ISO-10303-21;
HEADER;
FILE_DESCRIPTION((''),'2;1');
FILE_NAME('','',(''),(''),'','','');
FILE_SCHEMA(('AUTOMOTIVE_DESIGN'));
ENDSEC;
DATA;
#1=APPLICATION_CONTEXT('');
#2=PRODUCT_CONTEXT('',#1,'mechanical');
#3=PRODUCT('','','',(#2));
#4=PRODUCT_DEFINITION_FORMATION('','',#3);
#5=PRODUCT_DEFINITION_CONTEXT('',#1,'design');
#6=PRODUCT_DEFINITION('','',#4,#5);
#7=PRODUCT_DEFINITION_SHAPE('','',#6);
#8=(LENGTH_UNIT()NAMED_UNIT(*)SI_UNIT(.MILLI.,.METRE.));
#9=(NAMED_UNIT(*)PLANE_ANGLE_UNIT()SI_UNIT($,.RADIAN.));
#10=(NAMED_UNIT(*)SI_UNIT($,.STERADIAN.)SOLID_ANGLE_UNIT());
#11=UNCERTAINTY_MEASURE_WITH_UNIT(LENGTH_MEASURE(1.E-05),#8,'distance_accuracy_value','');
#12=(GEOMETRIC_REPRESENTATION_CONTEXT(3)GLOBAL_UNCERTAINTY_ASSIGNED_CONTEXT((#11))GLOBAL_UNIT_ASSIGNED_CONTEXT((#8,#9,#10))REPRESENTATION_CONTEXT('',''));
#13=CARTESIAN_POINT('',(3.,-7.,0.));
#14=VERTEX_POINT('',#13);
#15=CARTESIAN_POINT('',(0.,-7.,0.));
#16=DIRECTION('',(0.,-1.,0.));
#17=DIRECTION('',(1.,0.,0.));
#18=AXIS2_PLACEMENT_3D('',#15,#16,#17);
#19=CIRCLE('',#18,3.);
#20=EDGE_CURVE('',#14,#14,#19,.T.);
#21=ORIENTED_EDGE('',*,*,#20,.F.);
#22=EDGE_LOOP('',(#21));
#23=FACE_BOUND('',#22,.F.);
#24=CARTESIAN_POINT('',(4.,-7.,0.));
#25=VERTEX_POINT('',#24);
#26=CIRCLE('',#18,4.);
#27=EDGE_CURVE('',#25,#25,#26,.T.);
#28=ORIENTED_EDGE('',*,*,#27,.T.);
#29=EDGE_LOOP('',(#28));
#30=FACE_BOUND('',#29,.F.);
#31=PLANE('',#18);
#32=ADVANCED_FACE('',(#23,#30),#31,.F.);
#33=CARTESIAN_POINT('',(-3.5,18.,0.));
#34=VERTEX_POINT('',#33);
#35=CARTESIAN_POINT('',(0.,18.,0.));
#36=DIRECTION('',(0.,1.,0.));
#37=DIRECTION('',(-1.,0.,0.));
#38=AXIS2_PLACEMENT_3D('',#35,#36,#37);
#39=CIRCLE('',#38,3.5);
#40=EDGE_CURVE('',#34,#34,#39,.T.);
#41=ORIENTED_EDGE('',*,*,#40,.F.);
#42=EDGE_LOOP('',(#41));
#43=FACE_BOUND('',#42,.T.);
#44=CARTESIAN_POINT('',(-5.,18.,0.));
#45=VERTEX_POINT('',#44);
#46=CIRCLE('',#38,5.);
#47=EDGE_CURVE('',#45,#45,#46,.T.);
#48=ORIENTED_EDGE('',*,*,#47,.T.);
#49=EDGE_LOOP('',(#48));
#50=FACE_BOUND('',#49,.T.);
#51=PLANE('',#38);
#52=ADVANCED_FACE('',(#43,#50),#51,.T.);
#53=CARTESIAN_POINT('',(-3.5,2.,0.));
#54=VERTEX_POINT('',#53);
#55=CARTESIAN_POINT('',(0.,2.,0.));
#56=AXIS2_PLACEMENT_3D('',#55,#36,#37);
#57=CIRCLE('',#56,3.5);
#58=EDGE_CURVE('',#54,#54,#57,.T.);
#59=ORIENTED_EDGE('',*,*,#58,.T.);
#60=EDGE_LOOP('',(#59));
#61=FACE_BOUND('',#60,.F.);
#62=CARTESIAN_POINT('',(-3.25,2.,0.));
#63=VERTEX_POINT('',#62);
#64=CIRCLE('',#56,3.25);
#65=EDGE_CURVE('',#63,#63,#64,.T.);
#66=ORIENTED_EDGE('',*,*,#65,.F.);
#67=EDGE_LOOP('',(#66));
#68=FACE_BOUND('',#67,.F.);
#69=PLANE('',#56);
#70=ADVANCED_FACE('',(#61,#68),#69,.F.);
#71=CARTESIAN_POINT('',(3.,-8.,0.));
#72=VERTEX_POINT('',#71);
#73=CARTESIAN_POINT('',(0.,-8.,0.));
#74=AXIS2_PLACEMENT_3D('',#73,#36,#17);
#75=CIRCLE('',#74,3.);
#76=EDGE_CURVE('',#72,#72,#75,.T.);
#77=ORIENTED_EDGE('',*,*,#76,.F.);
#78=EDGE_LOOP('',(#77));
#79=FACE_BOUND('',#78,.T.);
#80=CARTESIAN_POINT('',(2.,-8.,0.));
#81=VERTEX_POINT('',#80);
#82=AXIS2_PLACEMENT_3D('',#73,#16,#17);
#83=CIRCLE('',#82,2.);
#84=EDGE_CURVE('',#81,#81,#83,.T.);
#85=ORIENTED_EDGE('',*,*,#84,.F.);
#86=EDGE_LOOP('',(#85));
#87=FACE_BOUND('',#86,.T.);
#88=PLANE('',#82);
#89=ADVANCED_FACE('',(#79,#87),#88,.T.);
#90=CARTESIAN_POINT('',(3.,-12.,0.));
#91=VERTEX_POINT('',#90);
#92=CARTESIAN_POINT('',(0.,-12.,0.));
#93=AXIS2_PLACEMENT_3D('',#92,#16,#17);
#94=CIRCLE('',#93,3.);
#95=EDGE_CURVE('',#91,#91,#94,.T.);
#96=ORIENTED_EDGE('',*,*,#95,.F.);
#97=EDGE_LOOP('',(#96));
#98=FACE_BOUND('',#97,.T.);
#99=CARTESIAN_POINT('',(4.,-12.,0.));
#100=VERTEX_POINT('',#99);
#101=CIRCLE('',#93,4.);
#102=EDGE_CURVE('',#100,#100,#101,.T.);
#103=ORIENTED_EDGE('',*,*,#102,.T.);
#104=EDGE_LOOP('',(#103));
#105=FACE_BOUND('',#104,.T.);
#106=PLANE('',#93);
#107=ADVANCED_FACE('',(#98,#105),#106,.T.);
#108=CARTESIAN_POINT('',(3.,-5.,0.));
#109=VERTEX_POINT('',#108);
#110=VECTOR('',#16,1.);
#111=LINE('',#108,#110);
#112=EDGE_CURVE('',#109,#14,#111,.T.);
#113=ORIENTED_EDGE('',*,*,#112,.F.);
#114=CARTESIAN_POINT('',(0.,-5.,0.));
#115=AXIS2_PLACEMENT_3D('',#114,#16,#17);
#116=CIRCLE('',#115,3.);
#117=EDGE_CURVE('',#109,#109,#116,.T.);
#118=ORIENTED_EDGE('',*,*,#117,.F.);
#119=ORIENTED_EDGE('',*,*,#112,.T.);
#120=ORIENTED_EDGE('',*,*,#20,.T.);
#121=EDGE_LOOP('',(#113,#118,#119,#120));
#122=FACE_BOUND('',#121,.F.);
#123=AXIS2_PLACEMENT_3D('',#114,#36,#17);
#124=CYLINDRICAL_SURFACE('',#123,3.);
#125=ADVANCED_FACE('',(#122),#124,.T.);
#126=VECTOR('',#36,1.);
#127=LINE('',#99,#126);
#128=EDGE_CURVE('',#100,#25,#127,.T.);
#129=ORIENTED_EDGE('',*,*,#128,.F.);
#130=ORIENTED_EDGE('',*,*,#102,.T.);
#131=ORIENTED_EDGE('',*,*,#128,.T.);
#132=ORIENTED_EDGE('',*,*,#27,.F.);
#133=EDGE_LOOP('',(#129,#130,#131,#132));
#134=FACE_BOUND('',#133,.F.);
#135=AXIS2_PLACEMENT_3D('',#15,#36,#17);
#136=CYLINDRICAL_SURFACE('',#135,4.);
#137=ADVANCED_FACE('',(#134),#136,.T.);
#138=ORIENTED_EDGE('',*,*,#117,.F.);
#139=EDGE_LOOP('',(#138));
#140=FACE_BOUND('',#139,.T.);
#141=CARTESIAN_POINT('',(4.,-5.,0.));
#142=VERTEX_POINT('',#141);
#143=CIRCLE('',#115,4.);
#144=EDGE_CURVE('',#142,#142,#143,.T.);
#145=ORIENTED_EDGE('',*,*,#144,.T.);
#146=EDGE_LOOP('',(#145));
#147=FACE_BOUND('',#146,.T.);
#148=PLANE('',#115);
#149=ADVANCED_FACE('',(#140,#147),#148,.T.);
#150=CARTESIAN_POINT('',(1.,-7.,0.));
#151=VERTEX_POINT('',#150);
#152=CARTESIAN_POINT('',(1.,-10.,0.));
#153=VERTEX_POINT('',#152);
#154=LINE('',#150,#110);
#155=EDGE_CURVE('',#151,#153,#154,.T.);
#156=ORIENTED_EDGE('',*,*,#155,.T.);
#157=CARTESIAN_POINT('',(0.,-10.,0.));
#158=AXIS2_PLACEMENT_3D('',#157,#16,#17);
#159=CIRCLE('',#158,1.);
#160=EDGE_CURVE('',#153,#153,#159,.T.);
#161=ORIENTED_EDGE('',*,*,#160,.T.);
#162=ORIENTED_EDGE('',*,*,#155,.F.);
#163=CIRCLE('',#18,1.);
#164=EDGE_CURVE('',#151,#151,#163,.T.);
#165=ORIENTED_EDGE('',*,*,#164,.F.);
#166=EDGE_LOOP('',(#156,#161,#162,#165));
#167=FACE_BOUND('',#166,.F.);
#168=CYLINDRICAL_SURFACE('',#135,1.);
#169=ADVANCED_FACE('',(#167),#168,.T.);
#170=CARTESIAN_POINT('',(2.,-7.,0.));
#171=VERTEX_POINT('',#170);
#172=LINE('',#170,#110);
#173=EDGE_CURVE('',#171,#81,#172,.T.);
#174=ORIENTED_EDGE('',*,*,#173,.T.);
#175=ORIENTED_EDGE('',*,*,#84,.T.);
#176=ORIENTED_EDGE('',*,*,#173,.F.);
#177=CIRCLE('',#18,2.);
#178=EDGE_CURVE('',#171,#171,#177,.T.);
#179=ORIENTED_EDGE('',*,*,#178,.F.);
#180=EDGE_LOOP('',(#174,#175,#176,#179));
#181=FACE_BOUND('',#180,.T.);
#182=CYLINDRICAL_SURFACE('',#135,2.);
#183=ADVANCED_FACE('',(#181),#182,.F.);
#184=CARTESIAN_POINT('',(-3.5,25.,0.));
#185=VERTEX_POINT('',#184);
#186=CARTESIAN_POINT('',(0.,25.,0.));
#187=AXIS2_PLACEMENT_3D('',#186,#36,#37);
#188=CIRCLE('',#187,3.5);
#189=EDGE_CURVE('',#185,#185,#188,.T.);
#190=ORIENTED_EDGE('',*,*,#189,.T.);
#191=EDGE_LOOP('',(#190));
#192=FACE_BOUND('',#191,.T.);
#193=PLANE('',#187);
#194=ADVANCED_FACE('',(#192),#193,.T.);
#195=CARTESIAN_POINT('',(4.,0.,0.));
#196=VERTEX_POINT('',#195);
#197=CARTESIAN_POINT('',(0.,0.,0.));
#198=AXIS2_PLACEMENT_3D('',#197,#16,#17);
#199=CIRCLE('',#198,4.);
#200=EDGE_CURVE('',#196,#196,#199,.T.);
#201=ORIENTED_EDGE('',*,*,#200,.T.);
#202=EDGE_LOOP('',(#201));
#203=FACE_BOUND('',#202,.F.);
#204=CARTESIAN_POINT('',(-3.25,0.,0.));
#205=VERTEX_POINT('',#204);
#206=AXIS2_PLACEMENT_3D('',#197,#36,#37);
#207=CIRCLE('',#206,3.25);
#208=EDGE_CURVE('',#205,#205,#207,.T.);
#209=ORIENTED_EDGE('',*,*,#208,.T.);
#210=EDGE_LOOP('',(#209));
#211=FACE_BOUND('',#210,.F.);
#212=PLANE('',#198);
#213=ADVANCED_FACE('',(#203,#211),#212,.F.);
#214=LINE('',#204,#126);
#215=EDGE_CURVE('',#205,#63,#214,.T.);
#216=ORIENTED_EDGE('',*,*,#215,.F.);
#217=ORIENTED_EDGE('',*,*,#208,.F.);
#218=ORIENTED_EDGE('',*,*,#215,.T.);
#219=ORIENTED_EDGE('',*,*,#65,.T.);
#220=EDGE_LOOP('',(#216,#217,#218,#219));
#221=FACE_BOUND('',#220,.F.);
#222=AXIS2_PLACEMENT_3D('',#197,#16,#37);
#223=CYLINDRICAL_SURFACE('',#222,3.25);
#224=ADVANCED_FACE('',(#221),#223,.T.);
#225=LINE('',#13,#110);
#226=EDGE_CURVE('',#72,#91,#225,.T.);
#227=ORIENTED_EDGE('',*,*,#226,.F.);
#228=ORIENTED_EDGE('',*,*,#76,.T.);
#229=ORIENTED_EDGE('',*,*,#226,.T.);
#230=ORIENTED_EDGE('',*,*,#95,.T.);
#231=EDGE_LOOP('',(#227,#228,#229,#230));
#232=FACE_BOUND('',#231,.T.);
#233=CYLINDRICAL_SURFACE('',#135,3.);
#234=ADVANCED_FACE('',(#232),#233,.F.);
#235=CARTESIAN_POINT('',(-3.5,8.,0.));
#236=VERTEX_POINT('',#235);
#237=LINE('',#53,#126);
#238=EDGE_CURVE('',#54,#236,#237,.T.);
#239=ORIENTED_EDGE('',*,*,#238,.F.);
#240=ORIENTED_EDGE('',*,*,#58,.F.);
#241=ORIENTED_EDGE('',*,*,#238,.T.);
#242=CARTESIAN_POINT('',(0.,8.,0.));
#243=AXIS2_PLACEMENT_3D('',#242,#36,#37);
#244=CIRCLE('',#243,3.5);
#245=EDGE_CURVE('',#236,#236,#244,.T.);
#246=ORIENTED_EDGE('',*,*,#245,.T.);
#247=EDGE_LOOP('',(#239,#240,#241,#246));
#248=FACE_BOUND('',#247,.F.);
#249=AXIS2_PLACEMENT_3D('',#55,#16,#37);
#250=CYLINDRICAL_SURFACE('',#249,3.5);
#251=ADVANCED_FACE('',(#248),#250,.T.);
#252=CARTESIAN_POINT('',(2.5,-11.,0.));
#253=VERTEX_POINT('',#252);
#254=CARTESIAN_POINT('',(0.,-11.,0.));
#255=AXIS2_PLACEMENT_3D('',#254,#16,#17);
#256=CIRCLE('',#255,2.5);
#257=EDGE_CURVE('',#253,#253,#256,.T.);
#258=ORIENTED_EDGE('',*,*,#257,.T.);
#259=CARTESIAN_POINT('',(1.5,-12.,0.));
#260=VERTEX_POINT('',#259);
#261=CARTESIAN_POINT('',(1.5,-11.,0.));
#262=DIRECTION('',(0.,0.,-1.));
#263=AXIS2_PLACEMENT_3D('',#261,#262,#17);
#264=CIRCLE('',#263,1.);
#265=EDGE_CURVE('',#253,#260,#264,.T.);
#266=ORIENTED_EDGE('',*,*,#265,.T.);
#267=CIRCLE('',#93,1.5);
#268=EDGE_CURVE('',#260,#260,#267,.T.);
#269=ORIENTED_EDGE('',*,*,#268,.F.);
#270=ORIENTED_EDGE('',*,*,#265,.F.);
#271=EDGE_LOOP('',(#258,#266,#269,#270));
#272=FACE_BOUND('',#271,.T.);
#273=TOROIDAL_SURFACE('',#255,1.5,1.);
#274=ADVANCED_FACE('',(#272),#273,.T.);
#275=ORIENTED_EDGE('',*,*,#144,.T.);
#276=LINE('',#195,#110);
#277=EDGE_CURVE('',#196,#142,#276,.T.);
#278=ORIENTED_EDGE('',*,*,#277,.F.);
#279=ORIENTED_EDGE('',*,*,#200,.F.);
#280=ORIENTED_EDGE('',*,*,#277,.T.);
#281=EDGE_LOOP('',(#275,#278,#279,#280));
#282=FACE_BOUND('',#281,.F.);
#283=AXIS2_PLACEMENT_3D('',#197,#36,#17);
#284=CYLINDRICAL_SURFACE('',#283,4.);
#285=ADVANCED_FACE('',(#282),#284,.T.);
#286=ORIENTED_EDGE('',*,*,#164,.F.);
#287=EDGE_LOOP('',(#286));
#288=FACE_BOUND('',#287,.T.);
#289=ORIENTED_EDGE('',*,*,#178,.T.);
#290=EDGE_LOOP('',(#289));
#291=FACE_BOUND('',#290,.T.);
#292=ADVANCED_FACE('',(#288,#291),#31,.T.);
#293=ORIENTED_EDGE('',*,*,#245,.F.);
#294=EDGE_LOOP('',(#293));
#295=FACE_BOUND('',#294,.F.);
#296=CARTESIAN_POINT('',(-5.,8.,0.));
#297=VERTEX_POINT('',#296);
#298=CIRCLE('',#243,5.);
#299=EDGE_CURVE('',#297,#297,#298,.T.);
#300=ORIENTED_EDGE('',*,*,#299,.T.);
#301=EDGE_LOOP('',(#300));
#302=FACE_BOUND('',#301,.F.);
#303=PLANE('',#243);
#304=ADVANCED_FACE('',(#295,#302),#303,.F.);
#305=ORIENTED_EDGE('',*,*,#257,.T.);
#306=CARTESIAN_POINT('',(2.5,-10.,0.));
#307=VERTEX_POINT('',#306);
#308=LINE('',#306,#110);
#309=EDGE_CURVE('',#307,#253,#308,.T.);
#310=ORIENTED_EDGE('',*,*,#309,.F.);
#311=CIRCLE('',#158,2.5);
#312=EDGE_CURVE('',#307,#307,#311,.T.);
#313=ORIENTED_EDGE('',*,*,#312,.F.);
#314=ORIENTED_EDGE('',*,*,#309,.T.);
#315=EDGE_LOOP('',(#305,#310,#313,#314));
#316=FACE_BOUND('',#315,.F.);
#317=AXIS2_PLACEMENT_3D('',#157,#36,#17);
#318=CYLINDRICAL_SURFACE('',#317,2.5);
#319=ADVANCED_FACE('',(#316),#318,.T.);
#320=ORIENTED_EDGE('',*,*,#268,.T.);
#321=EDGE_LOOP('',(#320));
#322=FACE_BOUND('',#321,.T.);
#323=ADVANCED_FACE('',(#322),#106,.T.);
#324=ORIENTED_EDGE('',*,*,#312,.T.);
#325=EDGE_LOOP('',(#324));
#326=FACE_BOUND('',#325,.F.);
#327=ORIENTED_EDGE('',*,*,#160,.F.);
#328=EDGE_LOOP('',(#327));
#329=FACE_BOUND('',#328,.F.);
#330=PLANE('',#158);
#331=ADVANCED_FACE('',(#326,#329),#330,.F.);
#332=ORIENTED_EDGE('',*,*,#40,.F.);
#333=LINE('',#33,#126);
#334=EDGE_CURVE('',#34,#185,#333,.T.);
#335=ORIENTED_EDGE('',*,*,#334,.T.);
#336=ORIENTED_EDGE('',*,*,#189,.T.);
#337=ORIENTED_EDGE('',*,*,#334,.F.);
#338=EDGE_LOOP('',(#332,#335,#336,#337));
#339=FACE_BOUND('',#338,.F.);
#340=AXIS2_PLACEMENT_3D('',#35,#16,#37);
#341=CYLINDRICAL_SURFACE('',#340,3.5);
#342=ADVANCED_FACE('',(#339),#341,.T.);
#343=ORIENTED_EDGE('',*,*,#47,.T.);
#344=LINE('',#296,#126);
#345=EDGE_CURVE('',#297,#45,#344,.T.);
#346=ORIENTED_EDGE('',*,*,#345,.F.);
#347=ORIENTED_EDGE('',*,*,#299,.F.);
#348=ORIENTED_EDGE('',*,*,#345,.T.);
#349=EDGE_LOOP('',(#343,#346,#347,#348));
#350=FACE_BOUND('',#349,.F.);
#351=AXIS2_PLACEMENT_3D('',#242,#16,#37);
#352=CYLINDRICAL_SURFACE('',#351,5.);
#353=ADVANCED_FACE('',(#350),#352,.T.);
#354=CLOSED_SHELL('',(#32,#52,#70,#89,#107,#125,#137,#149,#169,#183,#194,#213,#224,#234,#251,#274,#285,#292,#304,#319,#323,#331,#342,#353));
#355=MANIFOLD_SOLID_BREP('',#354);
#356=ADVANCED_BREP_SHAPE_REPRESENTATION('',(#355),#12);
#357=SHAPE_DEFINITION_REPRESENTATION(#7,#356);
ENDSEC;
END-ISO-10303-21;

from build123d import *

# Parameters (mm, degrees)
F0_R      = 4
F1_DEPTH  = 5
F2_R      = 3
F3_DEPTH  = 2
F4_R      = 4
F4_R_2    = 3
F5_DEPTH  = 5
F6_R      = 1
F7_DEPTH  = 3
F8_R      = 2.5
F8_R_2    = 1
F9_DEPTH  = 2
F10_R     = 1
F4_R_3    = 2
F11_DEPTH = 1
F12_R     = 3.25
F13_DEPTH = 2
F14_R     = 3.5
F14_R_2   = 3.25
F15_DEPTH = 6
F16_R     = 5
F16_R_2   = 3.5
F17_DEPTH = 10
F18_R     = 3.5
F19_DEPTH = 7


with BuildPart() as f1:
    # F0 (on Front) → F1 (new body)
    with BuildSketch(Plane.XZ):
        Circle(F0_R)
    extrude(amount=F1_DEPTH)

    # F2 (on face) → F3 (join)
    with BuildSketch(Plane.XZ.offset(5)):
        Circle(F2_R)
    extrude(amount=F3_DEPTH)

    # F6 (on face) → F7 (join)
    with BuildSketch(Plane.XZ.offset(7)):
        Circle(F6_R)
    extrude(amount=F7_DEPTH)

    # F8 (on face) → F9 (join)
    with BuildSketch(Plane.XZ.offset(10)):
        Circle(F8_R)
        Circle(F8_R_2, mode=Mode.SUBTRACT)
        Circle(F8_R_2)
    extrude(amount=F9_DEPTH)

    # F10
    f10_edges = [f1.edges().sort_by_distance(p)[0] for p in [
        (-2.5, -12, 0),
    ]]
    fillet(f10_edges, radius=F10_R)



with BuildPart() as f5:
    # F4 (on face) → F5 (new body)
    with BuildSketch(Plane.XZ.offset(7)):
        Circle(F4_R)
        Circle(F4_R_2, mode=Mode.SUBTRACT)
    extrude(amount=F5_DEPTH)


with BuildPart() as f1_1:
    add(f1.part)

    add(f5.part)  # F11 merges F5
    # F4 (on face) → F11 (join)
    with BuildSketch(Plane.XZ.offset(7)):
        Circle(F4_R)
        Circle(F4_R_2, mode=Mode.SUBTRACT)
        Circle(F4_R_2)
        Circle(F4_R_3, mode=Mode.SUBTRACT)
    extrude(amount=F11_DEPTH)

    # F12 (on face) → F13 (join)
    with BuildSketch(Plane(origin=(0, 0, 0), x_dir=(-1, 0, 0), z_dir=(0, 1, 0))):
        Circle(F12_R)
    extrude(amount=F13_DEPTH)

    # F14 (on face) → F15 (join)
    with BuildSketch(Plane(origin=(0, 2, 0), x_dir=(-1, 0, 0), z_dir=(0, 1, 0))):
        Circle(F14_R)
        Circle(F14_R_2, mode=Mode.SUBTRACT)
        Circle(F14_R_2)
    extrude(amount=F15_DEPTH)

    # F16 (on face) → F17 (join)
    with BuildSketch(Plane(origin=(0, 8, 0), x_dir=(-1, 0, 0), z_dir=(0, 1, 0))):
        Circle(F16_R)
        Circle(F16_R_2, mode=Mode.SUBTRACT)
        Circle(F16_R_2)
    extrude(amount=F17_DEPTH)

    # F18 (on face) → F19 (join)
    with BuildSketch(Plane(origin=(0, 18, 0), x_dir=(-1, 0, 0), z_dir=(0, 1, 0))):
        Circle(F18_R)
    extrude(amount=F19_DEPTH)


solid = f1_1.part
